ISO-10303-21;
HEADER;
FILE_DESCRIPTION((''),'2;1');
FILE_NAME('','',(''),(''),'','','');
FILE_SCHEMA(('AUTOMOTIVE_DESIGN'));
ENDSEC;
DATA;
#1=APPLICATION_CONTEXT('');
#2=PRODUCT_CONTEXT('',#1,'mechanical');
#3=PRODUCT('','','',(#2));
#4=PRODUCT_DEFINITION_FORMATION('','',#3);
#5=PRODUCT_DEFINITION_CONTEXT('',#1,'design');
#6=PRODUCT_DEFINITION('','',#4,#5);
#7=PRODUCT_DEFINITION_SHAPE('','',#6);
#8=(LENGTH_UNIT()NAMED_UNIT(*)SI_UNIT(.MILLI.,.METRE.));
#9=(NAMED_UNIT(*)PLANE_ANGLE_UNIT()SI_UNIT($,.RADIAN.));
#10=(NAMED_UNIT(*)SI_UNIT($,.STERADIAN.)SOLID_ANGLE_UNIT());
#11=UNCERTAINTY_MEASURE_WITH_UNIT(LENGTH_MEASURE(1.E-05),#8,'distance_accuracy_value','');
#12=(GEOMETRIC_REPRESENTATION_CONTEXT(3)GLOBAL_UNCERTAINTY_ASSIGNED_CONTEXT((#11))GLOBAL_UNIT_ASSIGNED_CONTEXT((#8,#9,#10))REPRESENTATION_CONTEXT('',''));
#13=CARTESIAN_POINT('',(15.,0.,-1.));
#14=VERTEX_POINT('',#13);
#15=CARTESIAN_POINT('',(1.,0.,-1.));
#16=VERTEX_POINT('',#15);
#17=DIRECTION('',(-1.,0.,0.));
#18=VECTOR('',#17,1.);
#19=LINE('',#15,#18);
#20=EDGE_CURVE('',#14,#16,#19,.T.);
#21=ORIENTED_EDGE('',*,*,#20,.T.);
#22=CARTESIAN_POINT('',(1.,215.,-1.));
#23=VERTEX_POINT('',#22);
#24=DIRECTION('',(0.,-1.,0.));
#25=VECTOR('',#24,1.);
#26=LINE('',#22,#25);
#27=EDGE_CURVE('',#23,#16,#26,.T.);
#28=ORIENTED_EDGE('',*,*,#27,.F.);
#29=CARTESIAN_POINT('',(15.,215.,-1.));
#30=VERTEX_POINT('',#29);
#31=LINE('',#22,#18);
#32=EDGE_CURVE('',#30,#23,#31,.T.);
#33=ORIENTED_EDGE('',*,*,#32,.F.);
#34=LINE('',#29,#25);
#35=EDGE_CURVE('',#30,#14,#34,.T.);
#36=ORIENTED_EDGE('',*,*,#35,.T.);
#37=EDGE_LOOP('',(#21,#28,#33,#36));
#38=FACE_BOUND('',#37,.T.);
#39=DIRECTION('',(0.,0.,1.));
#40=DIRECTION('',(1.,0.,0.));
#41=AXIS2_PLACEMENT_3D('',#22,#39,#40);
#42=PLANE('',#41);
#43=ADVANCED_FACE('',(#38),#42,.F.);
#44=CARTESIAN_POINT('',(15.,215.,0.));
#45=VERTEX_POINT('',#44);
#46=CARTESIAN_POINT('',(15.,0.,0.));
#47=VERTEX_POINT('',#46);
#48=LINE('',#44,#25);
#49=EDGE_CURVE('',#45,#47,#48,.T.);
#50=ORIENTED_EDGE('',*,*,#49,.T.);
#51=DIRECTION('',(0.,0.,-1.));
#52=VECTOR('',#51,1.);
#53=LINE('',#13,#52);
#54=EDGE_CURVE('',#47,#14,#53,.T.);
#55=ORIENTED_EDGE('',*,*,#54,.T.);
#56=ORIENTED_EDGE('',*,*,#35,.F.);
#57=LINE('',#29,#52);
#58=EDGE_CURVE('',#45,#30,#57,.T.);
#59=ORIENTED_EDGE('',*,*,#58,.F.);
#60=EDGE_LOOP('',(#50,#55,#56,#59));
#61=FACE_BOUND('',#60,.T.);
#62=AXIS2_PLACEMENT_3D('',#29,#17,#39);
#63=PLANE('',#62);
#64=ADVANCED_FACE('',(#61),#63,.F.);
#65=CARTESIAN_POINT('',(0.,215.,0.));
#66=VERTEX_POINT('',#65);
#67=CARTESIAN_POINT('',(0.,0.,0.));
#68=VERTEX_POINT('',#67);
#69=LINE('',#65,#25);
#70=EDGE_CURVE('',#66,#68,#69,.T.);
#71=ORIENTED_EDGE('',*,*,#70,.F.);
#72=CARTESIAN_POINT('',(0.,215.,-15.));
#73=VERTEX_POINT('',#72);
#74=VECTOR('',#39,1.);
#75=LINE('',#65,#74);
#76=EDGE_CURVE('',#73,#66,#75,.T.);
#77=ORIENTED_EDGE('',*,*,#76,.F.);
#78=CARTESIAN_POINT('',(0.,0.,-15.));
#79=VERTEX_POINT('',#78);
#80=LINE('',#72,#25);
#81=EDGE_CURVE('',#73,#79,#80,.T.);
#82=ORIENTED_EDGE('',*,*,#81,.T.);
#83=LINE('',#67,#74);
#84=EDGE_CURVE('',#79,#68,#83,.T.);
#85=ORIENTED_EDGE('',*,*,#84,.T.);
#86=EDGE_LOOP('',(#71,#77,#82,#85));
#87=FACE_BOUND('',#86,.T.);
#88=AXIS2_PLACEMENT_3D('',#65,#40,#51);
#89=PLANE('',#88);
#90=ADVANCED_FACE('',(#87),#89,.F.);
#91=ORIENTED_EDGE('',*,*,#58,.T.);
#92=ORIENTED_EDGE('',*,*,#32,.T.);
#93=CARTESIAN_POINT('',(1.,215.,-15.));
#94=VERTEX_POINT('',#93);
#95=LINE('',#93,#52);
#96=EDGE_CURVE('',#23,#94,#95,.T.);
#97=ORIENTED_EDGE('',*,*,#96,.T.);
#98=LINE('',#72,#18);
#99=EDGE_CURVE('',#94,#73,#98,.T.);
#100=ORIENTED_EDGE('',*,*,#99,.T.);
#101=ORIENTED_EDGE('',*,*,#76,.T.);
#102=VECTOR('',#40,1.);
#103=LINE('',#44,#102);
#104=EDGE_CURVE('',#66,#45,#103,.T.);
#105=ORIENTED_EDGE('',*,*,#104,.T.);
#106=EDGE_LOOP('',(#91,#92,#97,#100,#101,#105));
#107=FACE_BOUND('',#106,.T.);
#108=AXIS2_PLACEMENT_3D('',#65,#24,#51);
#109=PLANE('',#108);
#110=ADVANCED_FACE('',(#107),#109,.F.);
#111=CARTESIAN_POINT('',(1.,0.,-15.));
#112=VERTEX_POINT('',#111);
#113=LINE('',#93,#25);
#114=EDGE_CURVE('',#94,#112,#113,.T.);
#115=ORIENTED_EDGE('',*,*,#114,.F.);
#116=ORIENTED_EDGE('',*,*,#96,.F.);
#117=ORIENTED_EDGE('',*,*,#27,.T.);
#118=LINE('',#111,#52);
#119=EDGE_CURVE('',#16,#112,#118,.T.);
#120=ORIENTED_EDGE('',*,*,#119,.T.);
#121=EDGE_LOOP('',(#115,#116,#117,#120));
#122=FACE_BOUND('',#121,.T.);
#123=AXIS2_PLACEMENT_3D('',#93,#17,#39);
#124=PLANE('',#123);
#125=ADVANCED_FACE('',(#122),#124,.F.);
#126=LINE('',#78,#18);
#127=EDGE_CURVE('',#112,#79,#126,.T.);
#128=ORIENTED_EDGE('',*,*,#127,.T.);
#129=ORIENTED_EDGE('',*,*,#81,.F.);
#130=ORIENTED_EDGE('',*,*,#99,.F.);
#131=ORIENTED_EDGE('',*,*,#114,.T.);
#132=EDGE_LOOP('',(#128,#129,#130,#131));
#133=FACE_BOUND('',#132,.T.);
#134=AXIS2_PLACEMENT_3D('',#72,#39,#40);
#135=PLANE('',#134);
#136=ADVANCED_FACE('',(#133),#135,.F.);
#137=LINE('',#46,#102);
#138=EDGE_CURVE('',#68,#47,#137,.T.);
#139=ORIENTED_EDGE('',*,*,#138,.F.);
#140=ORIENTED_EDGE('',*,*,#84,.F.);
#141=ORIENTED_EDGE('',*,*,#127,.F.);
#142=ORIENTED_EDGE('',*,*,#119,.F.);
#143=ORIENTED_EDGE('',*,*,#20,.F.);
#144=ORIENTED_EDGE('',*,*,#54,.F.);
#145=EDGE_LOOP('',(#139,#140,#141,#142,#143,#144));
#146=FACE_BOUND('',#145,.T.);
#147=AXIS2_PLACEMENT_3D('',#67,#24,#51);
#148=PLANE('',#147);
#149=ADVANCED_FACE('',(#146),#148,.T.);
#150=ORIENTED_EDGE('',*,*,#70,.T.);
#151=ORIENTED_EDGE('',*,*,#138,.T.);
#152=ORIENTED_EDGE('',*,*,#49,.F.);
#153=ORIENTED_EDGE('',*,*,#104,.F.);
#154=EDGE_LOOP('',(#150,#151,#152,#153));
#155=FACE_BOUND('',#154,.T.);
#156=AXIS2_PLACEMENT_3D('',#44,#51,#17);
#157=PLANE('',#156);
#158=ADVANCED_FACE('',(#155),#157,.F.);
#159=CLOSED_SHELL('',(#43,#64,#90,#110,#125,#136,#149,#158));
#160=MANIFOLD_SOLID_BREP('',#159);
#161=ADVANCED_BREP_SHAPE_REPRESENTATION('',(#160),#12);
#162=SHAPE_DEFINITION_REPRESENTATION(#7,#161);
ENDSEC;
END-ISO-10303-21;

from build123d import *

# Parameters (mm, degrees)
EXTRUDE_1_DEPTH = 215


with BuildPart() as part:
    # Эскиз1 → Бобышка-Вытянуть1 (new body)
    with BuildSketch(Plane(origin=(0, 0, 0), x_dir=(1, 0, 0), z_dir=(0, 1, 0))):
        Polygon((0, 0), (0, 15), (1, 15), (1, 1), (15, 1), (15, 0), align=None)
    extrude(amount=EXTRUDE_1_DEPTH)


solid = part.part
